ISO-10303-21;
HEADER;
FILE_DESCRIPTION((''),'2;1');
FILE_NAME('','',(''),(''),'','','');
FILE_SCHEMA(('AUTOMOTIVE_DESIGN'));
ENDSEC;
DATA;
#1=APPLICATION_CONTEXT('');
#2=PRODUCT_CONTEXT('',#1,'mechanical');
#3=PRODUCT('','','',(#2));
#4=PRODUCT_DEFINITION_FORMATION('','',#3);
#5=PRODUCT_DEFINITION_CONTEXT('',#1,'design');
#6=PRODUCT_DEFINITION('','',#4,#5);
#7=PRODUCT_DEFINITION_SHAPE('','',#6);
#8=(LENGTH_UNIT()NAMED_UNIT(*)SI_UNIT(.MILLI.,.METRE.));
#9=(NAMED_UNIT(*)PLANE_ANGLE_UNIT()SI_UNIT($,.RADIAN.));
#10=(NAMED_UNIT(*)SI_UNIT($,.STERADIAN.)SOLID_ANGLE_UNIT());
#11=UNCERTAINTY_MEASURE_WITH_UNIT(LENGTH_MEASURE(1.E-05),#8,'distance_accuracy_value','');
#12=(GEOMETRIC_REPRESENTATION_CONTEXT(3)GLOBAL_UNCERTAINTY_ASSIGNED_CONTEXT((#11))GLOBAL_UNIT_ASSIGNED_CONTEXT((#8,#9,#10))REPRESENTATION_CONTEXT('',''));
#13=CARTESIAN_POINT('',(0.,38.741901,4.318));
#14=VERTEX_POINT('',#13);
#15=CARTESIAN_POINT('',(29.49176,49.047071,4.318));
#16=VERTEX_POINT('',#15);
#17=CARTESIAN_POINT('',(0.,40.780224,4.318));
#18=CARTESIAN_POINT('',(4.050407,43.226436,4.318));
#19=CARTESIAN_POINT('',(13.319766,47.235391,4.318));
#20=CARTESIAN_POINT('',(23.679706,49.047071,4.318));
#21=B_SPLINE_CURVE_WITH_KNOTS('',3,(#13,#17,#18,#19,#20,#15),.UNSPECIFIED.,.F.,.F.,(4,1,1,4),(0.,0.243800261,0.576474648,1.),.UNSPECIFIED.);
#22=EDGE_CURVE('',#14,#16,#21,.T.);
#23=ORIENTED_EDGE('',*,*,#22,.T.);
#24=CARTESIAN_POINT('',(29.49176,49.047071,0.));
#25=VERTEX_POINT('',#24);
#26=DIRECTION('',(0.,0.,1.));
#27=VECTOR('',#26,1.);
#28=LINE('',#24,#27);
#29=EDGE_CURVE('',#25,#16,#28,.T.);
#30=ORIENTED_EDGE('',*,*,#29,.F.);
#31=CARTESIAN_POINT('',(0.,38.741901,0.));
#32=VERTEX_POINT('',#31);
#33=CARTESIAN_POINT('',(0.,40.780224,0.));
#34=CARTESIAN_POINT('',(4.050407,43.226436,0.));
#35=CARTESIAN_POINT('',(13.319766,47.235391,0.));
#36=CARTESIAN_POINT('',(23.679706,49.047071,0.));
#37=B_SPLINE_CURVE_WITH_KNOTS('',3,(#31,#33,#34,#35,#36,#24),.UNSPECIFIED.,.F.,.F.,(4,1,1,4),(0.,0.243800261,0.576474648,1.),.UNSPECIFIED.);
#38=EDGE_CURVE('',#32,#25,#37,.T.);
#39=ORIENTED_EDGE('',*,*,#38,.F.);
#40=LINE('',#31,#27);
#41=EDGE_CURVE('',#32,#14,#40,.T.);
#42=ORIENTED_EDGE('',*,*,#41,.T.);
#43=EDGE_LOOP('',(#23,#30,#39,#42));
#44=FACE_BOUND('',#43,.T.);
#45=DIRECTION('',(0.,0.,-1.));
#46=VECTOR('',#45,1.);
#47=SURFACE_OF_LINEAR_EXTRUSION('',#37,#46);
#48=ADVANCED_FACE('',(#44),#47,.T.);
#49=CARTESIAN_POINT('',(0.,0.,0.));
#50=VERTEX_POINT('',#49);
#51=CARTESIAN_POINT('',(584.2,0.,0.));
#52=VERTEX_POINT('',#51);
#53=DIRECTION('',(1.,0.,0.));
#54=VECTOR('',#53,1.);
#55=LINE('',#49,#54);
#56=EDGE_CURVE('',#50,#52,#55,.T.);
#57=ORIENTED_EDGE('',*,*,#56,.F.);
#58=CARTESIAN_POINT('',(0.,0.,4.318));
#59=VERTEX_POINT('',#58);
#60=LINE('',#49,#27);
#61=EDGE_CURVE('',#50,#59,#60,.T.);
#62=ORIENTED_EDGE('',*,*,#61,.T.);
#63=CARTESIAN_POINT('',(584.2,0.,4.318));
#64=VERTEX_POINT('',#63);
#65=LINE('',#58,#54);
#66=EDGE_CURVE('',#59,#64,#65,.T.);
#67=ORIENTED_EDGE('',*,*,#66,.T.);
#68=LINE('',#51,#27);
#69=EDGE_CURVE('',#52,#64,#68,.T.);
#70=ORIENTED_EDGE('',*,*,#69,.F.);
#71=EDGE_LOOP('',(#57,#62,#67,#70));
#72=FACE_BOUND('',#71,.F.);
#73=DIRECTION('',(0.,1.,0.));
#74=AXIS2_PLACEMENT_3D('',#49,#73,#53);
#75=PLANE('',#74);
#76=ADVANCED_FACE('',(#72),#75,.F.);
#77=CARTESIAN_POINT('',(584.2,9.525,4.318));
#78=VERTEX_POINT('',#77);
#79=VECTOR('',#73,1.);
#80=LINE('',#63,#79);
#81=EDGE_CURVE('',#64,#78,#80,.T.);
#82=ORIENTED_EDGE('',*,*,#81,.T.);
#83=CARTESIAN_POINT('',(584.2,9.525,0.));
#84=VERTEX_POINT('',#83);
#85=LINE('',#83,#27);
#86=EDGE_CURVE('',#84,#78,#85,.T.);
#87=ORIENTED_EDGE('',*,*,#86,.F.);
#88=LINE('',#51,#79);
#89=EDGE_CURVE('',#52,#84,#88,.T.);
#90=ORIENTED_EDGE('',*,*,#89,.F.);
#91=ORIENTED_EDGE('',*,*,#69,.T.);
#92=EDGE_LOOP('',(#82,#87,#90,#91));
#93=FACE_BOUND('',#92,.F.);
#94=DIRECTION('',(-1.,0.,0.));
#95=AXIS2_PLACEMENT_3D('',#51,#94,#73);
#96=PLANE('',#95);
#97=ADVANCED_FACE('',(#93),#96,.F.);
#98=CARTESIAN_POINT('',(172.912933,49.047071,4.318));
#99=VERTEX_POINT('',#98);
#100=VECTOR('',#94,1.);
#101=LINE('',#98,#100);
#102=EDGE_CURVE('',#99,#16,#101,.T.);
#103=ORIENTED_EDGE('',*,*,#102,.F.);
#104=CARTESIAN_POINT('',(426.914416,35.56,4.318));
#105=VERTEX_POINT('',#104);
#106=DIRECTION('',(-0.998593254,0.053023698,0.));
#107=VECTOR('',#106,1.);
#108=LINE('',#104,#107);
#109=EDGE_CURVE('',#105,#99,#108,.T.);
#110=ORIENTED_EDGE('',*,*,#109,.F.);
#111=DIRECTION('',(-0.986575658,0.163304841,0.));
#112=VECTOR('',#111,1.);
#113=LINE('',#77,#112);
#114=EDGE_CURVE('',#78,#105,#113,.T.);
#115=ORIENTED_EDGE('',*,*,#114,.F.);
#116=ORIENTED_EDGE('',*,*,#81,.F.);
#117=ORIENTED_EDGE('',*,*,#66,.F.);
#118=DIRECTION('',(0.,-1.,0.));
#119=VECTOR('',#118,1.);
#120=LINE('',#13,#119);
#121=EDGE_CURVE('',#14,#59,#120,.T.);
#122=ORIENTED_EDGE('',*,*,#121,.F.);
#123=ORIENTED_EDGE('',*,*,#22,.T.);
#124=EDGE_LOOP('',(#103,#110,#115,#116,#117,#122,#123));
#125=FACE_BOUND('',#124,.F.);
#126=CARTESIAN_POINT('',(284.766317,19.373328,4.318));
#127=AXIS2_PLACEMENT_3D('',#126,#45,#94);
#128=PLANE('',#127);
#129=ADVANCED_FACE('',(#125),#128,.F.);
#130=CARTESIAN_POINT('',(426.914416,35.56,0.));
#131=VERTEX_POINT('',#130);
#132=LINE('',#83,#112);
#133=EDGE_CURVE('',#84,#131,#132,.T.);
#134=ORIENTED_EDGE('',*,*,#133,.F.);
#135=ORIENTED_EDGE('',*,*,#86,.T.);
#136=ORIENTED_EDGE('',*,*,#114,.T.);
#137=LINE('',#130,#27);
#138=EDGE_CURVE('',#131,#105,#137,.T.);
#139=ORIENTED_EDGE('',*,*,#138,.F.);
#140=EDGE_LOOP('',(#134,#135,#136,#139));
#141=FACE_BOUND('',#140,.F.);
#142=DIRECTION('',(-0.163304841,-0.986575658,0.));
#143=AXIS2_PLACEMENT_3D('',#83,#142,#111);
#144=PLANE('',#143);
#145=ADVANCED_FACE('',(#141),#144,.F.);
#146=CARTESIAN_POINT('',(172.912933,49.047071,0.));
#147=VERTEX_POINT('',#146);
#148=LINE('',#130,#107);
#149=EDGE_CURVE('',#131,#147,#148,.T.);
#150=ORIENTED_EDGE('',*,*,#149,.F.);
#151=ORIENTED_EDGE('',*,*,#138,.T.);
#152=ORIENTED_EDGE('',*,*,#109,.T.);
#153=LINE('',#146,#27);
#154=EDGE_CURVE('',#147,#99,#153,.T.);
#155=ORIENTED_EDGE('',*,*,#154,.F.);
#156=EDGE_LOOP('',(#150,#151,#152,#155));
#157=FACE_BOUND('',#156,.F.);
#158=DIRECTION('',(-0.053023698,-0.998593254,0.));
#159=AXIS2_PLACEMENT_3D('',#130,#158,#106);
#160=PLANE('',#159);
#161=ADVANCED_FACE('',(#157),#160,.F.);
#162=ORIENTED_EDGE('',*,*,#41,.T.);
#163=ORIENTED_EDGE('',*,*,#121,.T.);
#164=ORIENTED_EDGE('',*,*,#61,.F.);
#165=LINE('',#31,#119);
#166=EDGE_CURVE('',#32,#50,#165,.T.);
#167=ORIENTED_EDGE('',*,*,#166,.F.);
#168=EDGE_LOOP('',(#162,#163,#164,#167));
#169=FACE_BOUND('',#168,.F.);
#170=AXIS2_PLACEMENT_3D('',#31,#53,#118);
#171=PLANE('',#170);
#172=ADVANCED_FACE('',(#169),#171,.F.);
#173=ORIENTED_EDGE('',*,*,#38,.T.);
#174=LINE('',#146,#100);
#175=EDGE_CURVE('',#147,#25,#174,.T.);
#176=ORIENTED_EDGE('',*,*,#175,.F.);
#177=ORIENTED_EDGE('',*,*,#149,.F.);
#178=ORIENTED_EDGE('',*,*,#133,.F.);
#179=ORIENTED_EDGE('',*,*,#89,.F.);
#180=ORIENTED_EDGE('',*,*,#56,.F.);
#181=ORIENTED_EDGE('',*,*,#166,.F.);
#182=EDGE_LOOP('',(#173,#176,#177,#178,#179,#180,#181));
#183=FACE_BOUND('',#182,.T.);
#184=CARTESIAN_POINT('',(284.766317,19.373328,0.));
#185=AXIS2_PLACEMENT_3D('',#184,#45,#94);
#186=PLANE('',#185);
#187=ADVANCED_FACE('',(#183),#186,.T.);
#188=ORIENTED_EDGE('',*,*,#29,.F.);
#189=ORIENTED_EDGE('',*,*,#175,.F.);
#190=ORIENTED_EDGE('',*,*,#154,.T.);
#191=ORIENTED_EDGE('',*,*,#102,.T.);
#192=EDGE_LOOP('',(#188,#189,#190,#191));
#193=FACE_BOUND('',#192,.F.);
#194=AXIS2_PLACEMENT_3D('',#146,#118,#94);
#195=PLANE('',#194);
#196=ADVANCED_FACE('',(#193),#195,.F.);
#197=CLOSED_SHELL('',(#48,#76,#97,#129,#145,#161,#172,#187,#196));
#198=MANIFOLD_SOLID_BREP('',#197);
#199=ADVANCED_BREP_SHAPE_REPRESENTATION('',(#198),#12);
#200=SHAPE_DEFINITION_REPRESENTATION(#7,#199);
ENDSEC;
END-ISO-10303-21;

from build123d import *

# Parameters (mm, degrees)
F1_DEPTH = 4.318


with BuildPart() as f1:
    # F0 (on Top) → F1 (new body)
    with BuildSketch(Plane.XY):
        with BuildLine():
            add(Edge.make_bspline(
                [(0, 38.7419006444), (0, 40.780224347), (4.0504073247, 43.2264357913), (13.3197663427, 47.2353910075), (23.679706238, 49.0470707989), (29.4917598367, 49.0470707989)],
                knots=[0, 0, 0, 0, 0.243800261, 0.5764746481, 1, 1, 1, 1], degree=3))
            Line((0, 38.7419006444), (0, 0))
            Line((0, 0), (584.2, 0))
            Line((584.2, 0), (584.2, 9.525))
            Line((584.2, 9.525), (426.9144162536, 35.56))
            Line((426.9144162536, 35.56), (172.9129329324, 49.0470707989))
            Line((172.9129329324, 49.0470707989), (29.4917598367, 49.0470707989))
        make_face()
    extrude(amount=F1_DEPTH)


solid = f1.part
